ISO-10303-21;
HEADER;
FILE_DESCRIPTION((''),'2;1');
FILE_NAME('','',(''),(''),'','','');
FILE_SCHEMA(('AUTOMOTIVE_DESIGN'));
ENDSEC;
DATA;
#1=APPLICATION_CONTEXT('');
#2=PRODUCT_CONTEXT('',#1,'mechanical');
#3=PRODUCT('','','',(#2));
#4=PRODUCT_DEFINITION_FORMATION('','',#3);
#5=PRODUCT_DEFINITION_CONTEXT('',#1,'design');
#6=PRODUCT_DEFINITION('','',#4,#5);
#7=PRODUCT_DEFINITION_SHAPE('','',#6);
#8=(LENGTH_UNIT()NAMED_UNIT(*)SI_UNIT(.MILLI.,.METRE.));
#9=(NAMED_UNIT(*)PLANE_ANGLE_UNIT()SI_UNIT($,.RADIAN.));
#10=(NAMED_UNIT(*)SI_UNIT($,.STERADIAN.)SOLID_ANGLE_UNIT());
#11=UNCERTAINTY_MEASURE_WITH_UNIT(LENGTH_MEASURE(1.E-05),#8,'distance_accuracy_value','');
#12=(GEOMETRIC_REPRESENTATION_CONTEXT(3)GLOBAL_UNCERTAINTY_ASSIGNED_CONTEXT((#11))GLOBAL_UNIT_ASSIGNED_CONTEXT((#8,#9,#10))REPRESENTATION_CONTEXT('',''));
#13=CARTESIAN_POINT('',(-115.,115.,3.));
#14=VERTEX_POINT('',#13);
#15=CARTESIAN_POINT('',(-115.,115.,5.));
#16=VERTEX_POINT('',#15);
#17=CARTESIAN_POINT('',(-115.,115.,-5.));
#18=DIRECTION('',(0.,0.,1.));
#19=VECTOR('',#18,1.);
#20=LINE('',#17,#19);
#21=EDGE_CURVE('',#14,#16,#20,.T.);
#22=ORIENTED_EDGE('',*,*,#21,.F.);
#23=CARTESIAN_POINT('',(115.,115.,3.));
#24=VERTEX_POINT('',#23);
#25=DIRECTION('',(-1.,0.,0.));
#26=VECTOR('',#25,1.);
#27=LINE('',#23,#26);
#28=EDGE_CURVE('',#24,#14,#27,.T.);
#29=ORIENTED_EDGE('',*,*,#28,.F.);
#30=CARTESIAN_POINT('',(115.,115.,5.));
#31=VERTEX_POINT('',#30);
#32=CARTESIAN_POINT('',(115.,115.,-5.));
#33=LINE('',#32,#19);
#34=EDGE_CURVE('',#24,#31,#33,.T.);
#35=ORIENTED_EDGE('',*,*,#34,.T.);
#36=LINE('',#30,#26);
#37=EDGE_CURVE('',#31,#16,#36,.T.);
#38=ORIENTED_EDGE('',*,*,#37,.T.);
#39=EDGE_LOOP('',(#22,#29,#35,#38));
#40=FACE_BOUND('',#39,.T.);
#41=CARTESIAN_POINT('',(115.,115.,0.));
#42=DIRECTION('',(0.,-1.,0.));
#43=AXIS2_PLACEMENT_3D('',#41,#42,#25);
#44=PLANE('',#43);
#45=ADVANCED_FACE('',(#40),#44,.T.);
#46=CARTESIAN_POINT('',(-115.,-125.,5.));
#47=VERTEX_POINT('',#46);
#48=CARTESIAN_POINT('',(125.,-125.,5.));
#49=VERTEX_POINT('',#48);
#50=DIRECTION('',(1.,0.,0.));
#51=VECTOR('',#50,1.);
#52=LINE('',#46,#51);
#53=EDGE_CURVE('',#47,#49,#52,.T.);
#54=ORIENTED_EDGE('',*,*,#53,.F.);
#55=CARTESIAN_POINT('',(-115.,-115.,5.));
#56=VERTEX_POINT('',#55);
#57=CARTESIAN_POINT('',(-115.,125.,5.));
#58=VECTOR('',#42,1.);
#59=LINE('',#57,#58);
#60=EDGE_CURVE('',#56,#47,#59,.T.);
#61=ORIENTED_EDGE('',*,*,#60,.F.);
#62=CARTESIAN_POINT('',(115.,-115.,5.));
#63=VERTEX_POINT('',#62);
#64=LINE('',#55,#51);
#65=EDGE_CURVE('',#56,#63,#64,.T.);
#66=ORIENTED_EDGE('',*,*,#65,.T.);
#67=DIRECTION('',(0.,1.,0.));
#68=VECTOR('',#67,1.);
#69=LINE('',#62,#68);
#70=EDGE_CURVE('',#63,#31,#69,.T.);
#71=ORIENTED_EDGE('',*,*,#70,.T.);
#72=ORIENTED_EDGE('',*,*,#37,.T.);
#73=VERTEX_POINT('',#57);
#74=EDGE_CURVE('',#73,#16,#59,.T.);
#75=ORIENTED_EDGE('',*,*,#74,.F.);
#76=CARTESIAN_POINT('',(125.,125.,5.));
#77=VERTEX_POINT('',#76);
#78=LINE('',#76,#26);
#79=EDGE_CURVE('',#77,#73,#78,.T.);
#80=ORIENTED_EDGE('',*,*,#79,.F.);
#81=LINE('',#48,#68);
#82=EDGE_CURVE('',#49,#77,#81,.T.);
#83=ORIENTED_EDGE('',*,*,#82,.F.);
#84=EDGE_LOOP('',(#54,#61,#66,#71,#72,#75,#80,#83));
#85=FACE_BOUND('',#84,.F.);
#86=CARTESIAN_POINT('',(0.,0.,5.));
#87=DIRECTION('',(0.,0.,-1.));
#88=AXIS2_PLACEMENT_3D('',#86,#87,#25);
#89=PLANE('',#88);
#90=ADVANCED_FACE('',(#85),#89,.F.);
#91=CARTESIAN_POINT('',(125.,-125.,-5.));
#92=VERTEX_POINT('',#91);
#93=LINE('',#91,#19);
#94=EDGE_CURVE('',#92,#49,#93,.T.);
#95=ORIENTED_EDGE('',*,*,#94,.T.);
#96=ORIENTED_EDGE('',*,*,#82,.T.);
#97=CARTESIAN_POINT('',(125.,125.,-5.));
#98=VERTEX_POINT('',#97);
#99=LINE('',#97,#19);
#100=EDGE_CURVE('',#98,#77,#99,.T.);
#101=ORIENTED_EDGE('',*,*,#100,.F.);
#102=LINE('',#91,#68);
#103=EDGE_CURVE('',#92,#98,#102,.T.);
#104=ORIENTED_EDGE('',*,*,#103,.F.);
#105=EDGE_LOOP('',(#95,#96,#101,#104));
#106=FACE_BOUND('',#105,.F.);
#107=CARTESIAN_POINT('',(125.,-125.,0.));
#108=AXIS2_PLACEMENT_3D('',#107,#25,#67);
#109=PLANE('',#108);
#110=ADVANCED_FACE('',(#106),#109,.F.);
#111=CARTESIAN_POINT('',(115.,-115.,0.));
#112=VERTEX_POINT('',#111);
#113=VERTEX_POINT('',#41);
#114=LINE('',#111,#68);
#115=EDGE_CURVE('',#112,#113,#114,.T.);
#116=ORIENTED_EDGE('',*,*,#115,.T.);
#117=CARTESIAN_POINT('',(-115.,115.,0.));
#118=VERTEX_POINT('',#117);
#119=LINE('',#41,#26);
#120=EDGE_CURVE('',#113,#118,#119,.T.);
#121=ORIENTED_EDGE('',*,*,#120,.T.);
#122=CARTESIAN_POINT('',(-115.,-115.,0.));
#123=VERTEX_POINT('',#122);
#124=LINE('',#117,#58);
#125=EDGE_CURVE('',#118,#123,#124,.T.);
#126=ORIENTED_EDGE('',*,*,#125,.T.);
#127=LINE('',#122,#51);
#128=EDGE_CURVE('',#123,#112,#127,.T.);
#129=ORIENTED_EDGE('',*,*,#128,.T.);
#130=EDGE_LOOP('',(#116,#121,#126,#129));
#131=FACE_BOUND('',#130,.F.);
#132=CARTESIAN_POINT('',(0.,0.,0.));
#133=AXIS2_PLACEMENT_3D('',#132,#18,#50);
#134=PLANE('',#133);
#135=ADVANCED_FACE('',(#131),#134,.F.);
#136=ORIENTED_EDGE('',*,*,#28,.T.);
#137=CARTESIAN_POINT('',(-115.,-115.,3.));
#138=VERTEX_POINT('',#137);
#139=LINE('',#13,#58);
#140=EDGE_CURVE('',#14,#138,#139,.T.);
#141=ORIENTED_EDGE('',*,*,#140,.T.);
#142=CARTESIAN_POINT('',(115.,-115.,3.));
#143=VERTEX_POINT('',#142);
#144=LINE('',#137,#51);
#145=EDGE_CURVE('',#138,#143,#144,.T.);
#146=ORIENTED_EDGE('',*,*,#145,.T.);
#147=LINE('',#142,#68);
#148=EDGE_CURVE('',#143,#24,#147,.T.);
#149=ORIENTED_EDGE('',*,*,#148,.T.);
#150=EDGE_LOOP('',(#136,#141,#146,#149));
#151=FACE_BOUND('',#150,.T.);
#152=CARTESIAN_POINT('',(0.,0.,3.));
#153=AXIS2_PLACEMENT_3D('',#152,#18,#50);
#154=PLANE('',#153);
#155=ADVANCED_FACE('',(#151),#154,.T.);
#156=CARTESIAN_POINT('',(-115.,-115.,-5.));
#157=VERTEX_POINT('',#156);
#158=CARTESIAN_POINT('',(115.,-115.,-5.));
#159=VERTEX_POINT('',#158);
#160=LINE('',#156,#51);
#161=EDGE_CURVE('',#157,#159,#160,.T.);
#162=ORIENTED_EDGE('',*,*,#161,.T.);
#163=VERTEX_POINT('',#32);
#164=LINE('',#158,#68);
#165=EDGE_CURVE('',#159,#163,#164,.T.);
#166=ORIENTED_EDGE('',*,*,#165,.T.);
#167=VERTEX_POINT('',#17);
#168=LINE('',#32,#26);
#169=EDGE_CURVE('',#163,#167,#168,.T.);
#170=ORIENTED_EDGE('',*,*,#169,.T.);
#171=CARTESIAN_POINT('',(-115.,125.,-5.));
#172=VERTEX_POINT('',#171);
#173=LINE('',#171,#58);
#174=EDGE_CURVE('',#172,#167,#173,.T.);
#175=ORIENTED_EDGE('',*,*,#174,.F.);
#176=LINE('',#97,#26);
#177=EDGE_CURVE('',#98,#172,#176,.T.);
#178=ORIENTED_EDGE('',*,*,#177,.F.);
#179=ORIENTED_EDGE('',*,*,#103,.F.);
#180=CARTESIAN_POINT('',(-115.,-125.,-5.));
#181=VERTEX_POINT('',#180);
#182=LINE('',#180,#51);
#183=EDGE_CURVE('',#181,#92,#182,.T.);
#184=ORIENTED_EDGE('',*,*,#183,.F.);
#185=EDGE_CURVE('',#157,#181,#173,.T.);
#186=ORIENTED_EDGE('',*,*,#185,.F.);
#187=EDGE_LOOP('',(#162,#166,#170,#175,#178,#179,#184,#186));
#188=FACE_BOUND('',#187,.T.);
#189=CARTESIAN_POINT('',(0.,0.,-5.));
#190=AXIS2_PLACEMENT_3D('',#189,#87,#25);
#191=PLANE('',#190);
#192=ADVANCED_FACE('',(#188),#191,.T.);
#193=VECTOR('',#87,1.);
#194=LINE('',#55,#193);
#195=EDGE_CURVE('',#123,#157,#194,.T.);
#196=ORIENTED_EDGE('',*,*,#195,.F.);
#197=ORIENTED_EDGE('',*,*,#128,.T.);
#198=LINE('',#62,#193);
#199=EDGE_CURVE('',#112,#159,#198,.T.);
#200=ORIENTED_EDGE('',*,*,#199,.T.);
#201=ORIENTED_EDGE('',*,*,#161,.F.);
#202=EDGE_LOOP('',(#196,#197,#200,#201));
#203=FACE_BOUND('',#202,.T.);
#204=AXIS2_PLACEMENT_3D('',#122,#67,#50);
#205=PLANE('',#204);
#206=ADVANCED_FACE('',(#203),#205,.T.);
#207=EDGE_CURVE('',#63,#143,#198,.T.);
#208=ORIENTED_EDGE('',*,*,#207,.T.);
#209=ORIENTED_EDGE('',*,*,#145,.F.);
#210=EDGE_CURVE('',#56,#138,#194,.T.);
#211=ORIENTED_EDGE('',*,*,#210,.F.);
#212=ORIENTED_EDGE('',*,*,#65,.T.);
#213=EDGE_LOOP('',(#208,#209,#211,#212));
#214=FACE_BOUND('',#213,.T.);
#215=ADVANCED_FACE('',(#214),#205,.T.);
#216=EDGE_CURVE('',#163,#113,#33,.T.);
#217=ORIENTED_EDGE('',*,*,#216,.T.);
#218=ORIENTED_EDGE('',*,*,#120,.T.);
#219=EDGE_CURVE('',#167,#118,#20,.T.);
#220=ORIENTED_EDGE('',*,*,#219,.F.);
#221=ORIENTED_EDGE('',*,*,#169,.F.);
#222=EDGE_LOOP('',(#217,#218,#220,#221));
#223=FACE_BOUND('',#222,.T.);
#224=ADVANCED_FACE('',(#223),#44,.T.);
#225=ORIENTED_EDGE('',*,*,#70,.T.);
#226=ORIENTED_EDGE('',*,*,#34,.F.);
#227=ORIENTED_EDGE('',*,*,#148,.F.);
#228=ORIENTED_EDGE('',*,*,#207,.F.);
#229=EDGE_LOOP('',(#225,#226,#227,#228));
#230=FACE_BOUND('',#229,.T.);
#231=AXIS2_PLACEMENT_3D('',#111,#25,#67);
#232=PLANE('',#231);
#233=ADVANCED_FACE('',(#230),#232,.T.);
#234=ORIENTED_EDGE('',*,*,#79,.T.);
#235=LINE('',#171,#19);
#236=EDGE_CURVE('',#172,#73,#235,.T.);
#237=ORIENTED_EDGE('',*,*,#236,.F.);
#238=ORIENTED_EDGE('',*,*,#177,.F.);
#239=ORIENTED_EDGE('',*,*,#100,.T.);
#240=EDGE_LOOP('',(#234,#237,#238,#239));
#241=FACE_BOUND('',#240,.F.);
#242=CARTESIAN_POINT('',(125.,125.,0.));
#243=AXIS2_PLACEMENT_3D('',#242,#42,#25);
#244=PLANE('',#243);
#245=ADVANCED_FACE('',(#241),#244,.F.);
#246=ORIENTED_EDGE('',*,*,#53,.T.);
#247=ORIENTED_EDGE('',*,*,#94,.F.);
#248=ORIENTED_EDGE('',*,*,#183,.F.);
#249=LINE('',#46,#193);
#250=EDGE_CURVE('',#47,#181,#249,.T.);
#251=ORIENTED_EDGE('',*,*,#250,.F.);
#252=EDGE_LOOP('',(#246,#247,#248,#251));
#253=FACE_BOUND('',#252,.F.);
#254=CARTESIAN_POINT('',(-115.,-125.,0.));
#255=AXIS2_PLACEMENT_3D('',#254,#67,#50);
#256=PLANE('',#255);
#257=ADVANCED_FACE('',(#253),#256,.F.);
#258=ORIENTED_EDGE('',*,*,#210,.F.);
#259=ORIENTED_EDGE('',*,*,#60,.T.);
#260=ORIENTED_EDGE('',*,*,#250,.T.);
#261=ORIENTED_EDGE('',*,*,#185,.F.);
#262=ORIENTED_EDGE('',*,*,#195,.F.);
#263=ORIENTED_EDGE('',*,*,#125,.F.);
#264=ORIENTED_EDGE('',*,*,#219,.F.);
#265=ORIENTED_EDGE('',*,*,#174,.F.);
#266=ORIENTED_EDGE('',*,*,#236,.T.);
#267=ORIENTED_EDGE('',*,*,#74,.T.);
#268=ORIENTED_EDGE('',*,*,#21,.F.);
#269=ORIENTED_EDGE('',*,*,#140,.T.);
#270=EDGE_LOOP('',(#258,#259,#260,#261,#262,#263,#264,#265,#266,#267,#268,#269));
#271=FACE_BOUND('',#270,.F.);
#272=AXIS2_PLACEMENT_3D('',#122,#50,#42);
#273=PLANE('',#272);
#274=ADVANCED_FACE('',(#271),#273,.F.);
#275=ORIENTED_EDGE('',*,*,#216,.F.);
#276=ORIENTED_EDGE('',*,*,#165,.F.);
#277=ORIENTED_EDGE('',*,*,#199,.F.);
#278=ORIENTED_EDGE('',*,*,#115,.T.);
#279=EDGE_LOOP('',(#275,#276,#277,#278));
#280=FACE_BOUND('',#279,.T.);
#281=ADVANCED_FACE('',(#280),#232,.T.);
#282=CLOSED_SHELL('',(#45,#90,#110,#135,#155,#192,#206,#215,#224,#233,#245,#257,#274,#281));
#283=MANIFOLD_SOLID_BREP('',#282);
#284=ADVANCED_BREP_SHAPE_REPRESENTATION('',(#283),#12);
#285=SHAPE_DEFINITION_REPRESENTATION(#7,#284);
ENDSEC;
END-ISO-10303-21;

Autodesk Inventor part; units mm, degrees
ref_plane "YZ Plane" through (0, 0, 0) normal (1, 0, 0) x (0, 1, 0)
ref_plane "XZ Plane" through (0, 0, 0) normal (0, 1, 0) x (-1, 0, 0)
ref_plane "XY Plane" through (0, 0, 0) normal (0, 0, 1) x (1, 0, 0)
sketch "Skizze1" plane through (0, 0, 0) normal (0, 0, 1) x (1, 0, 0)
  line L0 (-115, -115) -> (115, -115)
  line L1 (115, -115) -> (115, 115)
  line L2 (115, 115) -> (-115, 115)
  line L3 (-115, 115) -> (-115, -115)
  line L4 (-115, -115) -> (115, 115) construction
  line L5 (115, -115) -> (-115, 115) construction
  point P0 (0, 0)
  dimension "d0" = 230
  dimension "d1" = 230
extrude "Extrusion1" add sketch "Skizze1" along normal blind 3
sketch "Skizze2" plane through (0, 0, 0) normal (0, 0, -1) x (-1, 0, 0)
  line L0 (115, -125) -> (-125, -125)
  line L1 (-125, -125) -> (-125, 125)
  line L2 (-125, 125) -> (115, 125)
  line L3 (115, 125) -> (115, -125)
  line L4 (-115, 115) -> (115, 115) projected
  line L5 (-115, -115) -> (-115, 115) projected
  line L6 (115, -115) -> (-115, -115) projected
  point P0 (0, 0)
  dimension "d4" = 10
  dimension "d5" = 10
  dimension "d6" = 10
extrude "Extrusion2" add sketch "Skizze2" against normal mid plane 10 contours L0 L1 L2 L3 L4 L5 L6
equation "\"d5\" = d4"
equation "\"d6\" = d4"
properties part number "Ventil"
